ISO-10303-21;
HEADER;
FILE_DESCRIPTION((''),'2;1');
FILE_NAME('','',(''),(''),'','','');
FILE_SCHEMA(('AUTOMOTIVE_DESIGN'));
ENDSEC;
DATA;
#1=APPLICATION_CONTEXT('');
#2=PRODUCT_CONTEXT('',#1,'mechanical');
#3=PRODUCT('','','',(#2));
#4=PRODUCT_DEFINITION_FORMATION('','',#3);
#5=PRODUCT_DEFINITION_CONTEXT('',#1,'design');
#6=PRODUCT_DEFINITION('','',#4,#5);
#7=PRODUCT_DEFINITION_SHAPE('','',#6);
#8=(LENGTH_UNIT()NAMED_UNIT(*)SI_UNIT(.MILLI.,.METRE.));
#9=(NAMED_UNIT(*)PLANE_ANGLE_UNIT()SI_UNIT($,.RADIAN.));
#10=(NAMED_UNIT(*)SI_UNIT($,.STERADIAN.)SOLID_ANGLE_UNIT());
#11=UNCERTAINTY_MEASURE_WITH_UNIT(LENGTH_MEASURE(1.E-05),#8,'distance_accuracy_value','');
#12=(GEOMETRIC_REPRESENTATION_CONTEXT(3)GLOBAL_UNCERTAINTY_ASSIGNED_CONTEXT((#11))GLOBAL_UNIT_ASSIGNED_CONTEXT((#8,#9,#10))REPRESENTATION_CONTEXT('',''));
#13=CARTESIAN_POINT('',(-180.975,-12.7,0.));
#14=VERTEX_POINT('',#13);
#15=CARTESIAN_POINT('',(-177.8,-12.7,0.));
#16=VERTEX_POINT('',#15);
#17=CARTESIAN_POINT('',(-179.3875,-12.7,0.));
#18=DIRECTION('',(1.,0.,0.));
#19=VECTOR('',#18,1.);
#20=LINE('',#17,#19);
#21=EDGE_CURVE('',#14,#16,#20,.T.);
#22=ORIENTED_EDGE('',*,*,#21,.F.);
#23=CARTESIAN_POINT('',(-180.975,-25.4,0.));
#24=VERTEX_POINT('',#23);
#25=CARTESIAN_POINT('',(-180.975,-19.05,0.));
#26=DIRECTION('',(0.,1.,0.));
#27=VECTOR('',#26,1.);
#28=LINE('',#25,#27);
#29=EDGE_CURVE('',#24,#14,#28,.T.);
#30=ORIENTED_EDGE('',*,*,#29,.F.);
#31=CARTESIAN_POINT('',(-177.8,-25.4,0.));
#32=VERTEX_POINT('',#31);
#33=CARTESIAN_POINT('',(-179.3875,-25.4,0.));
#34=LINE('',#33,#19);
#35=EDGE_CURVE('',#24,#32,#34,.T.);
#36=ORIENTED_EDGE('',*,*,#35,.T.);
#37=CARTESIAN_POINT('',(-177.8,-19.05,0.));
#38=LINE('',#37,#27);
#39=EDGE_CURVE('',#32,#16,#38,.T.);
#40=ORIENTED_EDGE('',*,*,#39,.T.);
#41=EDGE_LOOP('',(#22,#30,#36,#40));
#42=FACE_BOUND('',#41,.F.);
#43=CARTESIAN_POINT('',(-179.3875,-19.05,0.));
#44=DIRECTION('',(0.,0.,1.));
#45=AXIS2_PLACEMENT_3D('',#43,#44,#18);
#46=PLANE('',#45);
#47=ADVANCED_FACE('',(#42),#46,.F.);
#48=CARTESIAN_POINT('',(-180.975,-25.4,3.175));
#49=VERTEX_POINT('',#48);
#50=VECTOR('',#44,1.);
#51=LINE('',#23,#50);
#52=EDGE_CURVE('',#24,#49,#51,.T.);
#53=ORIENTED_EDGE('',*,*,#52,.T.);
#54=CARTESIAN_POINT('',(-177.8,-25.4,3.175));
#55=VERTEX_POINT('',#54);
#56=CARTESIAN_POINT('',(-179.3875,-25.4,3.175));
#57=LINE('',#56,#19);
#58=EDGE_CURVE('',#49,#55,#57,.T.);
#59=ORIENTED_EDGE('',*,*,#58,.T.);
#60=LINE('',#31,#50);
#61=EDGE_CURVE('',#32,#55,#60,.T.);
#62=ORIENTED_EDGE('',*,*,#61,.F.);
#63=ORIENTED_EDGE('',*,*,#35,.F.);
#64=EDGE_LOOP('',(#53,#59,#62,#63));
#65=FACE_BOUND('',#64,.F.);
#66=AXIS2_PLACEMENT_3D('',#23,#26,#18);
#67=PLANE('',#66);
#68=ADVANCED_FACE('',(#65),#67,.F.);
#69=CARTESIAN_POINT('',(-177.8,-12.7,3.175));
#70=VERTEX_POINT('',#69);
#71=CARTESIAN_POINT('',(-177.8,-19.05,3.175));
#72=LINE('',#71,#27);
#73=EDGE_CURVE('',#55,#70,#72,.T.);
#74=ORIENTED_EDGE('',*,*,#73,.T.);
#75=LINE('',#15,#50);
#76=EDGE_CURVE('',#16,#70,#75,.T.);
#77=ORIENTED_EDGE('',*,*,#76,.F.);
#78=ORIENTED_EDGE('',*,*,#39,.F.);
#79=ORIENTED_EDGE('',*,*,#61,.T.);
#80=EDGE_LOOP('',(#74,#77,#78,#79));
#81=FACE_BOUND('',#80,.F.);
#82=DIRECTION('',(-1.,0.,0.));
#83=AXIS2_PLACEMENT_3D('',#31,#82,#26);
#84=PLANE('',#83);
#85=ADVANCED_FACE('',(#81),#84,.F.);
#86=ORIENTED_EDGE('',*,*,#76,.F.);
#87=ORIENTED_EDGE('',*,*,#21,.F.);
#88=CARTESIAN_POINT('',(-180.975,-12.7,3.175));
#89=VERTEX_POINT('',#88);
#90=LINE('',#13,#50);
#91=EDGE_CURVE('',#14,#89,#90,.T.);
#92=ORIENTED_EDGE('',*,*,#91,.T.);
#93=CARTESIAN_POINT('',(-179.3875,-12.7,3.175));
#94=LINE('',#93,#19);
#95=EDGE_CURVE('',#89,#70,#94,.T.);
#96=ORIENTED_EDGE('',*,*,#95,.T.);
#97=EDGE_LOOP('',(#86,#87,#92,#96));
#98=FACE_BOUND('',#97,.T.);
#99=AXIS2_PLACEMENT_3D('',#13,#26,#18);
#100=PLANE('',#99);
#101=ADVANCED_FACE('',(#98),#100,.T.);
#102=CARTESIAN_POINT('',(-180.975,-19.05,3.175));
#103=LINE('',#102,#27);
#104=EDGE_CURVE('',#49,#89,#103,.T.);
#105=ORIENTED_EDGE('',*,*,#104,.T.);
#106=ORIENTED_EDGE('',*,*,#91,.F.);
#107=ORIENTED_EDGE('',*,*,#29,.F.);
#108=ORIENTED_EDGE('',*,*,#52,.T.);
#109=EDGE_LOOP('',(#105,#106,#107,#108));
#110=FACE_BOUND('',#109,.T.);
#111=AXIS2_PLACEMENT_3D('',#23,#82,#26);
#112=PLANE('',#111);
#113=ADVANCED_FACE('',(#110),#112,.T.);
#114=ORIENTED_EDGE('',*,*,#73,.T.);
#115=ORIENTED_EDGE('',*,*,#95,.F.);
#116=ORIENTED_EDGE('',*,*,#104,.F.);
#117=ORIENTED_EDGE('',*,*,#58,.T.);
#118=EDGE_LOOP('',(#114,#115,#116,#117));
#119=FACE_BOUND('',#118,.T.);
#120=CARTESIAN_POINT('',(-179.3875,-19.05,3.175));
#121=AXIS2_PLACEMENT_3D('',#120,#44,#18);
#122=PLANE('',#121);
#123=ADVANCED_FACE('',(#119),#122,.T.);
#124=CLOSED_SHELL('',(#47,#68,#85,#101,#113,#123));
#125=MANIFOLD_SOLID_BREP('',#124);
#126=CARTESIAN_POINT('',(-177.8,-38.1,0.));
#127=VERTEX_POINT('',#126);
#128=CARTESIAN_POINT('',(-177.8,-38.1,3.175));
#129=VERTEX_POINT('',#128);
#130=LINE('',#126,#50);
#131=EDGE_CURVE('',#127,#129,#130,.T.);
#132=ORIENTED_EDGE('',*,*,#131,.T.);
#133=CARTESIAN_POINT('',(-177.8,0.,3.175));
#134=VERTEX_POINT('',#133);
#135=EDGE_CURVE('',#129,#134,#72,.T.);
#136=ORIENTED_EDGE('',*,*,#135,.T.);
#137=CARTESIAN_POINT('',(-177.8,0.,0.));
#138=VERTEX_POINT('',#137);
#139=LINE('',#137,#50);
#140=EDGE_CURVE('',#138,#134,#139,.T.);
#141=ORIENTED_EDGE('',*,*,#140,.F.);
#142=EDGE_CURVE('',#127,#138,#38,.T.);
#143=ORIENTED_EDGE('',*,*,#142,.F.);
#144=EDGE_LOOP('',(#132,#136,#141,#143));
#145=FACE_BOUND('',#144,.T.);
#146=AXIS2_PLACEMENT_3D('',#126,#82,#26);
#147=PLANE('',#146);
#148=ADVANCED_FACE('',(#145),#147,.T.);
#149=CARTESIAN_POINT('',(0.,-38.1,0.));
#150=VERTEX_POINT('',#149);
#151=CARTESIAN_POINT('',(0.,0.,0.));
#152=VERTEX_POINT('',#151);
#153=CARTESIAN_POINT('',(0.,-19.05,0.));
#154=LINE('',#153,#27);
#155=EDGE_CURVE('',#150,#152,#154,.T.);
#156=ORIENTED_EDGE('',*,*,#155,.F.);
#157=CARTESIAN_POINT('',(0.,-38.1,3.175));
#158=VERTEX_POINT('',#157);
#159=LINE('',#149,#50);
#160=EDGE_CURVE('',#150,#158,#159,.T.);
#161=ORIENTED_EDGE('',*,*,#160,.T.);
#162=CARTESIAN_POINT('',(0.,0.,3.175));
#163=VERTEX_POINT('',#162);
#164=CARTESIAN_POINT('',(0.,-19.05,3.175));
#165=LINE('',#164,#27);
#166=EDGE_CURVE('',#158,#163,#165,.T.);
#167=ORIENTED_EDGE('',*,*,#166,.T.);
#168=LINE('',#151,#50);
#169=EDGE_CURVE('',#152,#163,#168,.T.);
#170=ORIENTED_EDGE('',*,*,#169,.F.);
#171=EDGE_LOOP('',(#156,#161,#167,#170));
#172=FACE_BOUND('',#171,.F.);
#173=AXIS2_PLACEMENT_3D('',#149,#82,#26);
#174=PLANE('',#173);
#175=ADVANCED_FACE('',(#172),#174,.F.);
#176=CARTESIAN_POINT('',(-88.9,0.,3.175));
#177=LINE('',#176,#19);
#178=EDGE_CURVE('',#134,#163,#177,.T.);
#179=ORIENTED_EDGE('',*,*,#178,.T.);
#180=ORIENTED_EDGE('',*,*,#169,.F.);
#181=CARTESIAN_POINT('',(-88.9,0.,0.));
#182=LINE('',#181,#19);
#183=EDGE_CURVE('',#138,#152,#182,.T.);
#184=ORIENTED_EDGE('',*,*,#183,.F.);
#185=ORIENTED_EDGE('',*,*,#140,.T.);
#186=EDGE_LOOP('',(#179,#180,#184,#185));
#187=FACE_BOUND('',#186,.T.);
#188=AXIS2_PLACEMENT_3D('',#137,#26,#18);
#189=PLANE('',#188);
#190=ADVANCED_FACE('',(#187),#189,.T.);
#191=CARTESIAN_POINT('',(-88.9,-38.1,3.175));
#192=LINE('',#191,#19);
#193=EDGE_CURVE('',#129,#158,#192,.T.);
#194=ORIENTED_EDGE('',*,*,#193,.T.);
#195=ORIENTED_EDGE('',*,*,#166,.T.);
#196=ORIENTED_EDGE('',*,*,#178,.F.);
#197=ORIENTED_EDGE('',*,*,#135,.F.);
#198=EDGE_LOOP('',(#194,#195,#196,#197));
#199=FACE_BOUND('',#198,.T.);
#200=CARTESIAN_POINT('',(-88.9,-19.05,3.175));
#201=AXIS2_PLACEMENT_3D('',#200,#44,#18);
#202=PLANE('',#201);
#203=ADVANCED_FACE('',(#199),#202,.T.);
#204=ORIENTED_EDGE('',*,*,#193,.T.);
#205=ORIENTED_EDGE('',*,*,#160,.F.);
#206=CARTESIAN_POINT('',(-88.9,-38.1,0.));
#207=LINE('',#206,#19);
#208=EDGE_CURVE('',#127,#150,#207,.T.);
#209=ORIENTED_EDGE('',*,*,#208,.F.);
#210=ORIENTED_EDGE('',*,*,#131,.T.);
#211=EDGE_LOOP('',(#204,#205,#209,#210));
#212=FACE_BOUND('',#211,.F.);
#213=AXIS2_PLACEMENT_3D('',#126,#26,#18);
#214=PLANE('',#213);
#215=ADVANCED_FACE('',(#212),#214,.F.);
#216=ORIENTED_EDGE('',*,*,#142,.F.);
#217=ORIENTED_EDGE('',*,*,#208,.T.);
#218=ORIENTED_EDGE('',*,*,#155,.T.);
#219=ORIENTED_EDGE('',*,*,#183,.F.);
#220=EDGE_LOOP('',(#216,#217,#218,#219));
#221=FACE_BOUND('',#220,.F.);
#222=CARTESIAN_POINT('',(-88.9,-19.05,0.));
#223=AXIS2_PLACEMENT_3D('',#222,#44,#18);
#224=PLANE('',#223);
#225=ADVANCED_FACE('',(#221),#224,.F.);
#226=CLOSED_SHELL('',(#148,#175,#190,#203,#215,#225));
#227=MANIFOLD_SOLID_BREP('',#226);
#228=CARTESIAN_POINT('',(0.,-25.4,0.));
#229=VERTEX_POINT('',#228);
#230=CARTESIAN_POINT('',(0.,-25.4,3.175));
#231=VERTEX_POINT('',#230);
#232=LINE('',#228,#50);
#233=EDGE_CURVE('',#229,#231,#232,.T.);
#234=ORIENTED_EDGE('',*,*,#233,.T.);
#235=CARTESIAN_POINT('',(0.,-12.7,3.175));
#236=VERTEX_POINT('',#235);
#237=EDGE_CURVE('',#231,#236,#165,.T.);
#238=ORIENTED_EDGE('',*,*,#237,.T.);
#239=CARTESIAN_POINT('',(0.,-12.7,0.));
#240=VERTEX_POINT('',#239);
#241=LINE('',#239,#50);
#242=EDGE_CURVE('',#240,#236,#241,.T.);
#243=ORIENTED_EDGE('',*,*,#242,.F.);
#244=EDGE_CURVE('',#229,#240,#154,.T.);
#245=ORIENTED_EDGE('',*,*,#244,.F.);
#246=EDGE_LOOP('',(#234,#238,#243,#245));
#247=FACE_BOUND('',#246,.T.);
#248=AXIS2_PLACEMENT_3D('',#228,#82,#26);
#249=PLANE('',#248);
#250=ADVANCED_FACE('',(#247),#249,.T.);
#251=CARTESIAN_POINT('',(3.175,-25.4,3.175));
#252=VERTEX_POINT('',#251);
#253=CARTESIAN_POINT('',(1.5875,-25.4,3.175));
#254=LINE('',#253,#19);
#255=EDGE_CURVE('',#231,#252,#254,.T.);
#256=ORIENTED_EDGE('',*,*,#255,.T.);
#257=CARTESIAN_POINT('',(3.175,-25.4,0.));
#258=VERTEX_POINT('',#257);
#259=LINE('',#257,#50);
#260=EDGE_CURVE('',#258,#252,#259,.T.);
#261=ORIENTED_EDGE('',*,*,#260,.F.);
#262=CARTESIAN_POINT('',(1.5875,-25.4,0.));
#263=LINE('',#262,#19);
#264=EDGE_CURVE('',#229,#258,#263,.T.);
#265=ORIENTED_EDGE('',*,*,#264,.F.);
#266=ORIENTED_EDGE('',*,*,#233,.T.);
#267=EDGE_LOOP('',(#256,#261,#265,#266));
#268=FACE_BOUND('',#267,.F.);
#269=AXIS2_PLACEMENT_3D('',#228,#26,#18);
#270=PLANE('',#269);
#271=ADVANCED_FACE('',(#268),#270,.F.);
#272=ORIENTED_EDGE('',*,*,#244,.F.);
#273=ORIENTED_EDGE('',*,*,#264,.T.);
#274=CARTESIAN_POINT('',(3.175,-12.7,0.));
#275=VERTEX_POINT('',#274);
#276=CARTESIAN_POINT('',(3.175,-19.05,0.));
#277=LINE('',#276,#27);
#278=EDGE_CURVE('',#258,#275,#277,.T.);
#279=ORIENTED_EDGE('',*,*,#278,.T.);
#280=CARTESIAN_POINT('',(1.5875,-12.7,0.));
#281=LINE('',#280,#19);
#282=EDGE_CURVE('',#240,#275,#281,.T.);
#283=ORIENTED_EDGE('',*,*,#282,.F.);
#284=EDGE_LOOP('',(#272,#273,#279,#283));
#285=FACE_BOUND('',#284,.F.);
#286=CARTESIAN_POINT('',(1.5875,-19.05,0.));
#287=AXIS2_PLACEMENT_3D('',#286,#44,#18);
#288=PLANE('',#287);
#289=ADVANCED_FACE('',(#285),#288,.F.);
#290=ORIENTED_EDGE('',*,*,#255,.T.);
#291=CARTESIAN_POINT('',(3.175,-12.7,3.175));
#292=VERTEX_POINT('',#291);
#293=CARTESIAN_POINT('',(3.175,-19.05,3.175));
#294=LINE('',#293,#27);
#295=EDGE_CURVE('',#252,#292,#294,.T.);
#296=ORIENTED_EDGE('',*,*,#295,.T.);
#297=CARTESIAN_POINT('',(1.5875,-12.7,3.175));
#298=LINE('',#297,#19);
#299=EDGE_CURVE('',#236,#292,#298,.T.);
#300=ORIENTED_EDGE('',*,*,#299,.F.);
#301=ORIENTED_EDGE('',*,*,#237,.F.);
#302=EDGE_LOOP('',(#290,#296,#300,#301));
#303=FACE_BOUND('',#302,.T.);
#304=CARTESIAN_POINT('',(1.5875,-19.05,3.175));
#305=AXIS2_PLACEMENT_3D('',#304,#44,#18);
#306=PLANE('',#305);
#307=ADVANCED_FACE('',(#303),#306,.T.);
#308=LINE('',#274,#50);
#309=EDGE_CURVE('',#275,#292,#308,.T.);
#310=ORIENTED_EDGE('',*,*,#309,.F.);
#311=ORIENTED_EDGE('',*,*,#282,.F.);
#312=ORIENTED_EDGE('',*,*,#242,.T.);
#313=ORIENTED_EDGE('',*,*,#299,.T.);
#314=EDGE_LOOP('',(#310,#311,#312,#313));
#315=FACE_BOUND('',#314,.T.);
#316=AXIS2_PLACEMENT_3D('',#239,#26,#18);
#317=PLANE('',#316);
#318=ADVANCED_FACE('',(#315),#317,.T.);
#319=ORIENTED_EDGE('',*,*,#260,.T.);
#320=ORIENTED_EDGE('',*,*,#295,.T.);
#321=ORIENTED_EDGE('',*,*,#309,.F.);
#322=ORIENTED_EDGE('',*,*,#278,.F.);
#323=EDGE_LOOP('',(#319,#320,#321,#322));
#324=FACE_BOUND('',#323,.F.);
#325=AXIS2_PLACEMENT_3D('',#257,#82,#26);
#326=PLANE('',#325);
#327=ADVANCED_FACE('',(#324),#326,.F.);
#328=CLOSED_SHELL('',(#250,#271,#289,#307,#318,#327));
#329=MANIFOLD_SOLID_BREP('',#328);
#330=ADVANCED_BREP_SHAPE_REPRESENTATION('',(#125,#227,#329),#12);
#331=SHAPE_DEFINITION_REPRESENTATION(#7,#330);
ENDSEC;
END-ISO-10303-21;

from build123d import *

# Parameters (mm, degrees)
F0_W     = 177.8
F0_H     = 38.1
F3_DEPTH = 3.175
F1_W     = 3.175
F1_H     = 12.7
F2_W     = 3.175
F2_H     = 12.7


with BuildPart() as f3:
    # F0 (on Top) → F3 (new body)
    with BuildSketch(Plane.XY):
        with Locations((-88.9, -19.05)):
            Rectangle(F0_W, F0_H)
    extrude(amount=F3_DEPTH)


with BuildPart() as f3b:
    # F1 (on face) → F3, piece 2 (new body)
    with BuildSketch(Plane.XY):
        with Locations((1.5875, -19.05)):
            Rectangle(F1_W, F1_H)
    extrude(amount=F3_DEPTH)


with BuildPart() as f3c:
    # F2 (on face) → F3, piece 3 (new body)
    with BuildSketch(Plane.XY):
        with Locations((-179.3875, -19.05)):
            Rectangle(F2_W, F2_H)
    extrude(amount=F3_DEPTH)


solid = Compound([f3.part, f3b.part, f3c.part])
